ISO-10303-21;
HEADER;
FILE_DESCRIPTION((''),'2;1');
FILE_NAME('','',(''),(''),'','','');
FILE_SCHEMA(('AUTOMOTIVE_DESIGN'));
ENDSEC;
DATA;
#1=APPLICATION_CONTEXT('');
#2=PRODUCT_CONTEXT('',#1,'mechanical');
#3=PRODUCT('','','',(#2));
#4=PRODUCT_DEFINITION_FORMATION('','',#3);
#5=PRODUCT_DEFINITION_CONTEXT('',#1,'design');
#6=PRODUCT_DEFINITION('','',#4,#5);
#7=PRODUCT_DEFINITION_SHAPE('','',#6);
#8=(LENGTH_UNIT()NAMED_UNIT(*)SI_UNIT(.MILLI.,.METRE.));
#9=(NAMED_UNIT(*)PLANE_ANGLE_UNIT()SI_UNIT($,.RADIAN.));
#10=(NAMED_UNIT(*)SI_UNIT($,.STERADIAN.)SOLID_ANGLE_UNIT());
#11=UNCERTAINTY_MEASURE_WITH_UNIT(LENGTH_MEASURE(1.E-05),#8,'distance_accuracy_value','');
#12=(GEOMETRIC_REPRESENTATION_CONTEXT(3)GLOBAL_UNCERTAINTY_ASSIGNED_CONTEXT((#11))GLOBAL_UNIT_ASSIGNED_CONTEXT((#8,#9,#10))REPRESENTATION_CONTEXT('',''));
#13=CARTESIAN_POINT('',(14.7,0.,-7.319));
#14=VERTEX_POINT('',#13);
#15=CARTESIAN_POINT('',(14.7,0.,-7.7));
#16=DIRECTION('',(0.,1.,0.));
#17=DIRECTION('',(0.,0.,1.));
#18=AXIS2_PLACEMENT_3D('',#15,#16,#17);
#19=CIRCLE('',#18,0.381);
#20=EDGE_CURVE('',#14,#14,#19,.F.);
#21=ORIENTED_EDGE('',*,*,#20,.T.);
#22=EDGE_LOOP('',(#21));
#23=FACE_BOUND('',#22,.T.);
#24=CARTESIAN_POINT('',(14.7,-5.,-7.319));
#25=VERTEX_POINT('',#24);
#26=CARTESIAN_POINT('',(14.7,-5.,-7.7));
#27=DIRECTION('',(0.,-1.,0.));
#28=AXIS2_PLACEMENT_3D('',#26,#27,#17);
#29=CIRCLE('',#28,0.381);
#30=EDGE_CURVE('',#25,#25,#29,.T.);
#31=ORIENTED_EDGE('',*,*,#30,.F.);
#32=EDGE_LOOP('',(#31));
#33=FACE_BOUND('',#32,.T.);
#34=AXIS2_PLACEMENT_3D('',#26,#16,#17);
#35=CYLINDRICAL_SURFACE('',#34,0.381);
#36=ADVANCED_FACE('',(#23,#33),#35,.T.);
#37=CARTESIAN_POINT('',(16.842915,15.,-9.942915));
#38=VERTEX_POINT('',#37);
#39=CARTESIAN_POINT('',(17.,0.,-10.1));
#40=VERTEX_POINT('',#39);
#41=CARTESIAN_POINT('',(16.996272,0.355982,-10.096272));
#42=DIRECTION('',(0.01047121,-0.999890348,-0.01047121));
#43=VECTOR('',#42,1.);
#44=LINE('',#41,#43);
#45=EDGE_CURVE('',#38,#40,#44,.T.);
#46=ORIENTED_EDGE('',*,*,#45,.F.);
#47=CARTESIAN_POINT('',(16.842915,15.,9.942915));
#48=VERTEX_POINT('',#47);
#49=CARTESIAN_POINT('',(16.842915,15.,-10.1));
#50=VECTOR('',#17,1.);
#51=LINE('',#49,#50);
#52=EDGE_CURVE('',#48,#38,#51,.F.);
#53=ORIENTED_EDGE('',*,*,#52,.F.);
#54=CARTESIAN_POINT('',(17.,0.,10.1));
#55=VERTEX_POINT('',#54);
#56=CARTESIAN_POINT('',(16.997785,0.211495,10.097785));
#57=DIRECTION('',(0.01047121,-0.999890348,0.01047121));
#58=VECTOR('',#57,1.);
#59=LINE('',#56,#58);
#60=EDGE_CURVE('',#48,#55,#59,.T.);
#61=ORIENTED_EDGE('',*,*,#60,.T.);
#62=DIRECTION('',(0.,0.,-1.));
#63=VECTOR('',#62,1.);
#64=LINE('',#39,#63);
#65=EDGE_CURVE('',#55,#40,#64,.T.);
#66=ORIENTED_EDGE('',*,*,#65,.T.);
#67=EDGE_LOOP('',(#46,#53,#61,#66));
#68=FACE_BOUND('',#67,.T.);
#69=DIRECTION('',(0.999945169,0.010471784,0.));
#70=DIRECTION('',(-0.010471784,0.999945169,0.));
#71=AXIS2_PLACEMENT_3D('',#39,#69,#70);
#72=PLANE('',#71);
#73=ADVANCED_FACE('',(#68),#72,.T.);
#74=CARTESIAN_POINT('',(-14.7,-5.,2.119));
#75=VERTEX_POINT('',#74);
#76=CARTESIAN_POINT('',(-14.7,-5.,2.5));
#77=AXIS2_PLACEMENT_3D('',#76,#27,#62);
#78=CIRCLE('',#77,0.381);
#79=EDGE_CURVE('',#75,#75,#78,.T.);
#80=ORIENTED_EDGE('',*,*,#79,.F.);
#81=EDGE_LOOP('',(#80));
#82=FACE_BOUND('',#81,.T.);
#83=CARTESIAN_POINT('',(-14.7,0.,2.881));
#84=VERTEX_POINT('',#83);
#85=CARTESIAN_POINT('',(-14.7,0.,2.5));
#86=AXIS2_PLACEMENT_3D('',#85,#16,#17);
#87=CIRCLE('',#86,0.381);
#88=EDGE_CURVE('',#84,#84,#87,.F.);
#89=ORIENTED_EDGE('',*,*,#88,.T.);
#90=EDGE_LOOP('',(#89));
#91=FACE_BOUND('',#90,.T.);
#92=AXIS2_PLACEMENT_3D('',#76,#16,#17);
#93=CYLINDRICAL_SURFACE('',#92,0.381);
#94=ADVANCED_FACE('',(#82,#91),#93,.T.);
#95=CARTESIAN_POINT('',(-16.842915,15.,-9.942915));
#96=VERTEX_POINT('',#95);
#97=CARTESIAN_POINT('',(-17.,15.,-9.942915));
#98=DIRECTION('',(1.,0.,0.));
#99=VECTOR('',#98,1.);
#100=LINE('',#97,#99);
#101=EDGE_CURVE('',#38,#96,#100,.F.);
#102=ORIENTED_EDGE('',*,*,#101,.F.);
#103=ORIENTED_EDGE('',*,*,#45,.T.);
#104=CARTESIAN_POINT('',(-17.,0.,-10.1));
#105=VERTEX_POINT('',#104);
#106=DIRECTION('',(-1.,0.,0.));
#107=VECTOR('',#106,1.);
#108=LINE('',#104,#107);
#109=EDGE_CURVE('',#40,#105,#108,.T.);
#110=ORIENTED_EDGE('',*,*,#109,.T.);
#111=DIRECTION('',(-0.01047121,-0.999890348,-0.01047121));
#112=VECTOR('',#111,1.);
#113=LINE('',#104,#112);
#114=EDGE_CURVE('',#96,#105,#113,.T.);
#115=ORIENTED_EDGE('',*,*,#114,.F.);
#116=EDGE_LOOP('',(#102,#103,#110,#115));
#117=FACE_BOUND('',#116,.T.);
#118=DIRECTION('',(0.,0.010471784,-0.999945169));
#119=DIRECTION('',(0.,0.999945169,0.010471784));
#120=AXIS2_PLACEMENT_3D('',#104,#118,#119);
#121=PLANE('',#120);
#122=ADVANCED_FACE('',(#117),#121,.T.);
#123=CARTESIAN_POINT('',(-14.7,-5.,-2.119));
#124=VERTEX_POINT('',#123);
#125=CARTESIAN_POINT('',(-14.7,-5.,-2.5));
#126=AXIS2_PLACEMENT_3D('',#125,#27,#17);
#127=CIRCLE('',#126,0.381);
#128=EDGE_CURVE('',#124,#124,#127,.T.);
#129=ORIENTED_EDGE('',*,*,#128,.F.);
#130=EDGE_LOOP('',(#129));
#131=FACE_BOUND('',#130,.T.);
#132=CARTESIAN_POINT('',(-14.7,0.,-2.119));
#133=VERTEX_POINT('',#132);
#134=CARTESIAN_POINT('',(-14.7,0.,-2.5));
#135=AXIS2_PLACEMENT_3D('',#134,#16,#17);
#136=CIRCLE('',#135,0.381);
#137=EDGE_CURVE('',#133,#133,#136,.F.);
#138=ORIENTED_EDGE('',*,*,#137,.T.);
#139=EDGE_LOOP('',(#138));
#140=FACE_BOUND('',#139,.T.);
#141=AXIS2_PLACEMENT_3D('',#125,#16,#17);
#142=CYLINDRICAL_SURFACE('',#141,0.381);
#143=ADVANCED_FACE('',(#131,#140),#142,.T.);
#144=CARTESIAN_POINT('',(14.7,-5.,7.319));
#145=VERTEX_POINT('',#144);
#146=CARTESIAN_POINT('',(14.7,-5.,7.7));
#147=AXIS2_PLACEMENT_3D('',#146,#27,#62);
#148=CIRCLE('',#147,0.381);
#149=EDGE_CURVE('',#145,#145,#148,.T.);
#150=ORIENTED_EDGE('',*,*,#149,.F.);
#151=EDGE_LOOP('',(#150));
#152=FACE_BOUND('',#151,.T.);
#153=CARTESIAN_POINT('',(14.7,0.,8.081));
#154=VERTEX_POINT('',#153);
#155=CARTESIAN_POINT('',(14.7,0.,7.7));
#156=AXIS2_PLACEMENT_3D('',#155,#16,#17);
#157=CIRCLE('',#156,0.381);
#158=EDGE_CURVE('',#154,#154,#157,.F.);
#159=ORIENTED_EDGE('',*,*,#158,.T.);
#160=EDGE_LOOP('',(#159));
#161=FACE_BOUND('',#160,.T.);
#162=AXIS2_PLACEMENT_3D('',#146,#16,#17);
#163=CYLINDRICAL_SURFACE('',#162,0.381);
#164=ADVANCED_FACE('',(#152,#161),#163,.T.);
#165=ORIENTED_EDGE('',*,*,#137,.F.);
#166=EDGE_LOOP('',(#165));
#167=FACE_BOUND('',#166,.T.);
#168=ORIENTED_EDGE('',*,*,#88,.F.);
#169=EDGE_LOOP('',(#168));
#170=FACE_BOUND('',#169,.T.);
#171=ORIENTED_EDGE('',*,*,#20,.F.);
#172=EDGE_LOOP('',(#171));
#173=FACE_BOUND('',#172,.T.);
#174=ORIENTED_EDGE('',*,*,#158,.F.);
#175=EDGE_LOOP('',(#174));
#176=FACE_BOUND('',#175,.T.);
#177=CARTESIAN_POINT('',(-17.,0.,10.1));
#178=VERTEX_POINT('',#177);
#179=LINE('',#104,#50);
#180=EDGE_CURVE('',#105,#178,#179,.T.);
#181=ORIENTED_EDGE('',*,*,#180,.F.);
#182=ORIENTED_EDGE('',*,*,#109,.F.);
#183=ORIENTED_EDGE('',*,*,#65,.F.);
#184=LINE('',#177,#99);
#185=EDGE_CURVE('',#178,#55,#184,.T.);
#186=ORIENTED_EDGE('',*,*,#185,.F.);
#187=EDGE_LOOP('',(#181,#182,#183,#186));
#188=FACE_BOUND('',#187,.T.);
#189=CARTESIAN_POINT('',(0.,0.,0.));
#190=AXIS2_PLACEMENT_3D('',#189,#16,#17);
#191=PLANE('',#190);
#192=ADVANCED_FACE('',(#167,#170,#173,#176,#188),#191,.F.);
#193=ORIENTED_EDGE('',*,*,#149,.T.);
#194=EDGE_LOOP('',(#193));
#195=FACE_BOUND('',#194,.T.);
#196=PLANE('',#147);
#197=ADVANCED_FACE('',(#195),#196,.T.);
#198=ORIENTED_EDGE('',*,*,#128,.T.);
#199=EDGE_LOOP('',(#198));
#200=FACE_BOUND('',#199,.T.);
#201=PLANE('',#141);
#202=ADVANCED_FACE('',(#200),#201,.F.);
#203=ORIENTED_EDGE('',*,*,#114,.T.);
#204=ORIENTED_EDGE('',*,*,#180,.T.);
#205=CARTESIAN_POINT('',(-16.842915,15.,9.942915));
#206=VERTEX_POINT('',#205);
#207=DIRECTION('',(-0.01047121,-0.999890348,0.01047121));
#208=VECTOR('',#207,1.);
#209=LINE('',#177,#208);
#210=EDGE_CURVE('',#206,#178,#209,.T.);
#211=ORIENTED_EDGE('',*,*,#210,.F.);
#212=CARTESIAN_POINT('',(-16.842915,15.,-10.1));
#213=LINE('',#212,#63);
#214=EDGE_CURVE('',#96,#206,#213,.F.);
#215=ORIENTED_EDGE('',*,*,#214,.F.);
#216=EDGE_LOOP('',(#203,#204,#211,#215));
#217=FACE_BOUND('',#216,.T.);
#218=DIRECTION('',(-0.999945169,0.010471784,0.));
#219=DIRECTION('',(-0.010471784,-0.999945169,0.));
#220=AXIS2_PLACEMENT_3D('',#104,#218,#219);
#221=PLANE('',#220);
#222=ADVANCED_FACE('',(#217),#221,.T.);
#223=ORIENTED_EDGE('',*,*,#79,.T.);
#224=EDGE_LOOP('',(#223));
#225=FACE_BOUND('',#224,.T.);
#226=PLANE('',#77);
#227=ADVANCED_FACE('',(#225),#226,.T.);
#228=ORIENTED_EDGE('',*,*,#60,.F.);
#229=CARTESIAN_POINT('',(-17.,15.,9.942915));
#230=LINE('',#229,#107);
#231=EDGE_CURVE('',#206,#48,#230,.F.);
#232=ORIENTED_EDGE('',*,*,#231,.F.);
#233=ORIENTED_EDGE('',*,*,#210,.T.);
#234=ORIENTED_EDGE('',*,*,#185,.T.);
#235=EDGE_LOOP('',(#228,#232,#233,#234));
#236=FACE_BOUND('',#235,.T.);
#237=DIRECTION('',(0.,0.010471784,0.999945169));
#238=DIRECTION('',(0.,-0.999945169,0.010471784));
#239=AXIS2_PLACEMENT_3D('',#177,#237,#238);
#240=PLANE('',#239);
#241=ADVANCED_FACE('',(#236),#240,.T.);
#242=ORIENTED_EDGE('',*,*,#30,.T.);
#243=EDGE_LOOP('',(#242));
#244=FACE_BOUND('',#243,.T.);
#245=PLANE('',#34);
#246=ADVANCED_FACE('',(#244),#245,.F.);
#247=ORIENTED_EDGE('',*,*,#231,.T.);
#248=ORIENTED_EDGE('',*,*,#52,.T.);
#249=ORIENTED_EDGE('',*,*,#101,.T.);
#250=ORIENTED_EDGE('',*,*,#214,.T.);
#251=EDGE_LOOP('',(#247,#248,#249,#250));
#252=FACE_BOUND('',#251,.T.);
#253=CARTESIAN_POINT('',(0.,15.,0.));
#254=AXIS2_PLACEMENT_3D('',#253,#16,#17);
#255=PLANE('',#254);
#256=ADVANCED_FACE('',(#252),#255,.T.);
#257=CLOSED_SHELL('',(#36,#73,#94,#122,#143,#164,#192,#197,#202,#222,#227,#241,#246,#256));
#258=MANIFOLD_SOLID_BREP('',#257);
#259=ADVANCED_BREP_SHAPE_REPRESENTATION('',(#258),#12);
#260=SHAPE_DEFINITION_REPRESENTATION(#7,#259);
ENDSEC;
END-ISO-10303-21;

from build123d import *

# Parameters (mm, degrees)
SKETCH1_W           = 34
SKETCH1_H           = 20.2
BOSS_EXTRUDE1_DEPTH = 15
BOSS_EXTRUDE1_TAPER = 0.6
SKETCH2_R           = 0.381
BOSS_EXTRUDE2_DEPTH = 5


with BuildPart() as part:
    # Sketch1 → Boss-Extrude1 (new body)
    with BuildSketch(Plane(origin=(0, 0, 0), x_dir=(1, 0, 0), z_dir=(0, 1, 0))):
        Rectangle(SKETCH1_W, SKETCH1_H)
    extrude(amount=BOSS_EXTRUDE1_DEPTH, taper=BOSS_EXTRUDE1_TAPER)

    # Sketch2 → Boss-Extrude2 (add)
    with BuildSketch(Plane.XZ):
        with Locations(Location((-14.7, 2.5, 0), (0, 0, 90))):
            Circle(SKETCH2_R)
        with Locations(Location((14.7, 7.7, 0), (0, 0, 90))):
            Circle(SKETCH2_R)
        with Locations(Location((14.7, -7.7, 0), (0, 0, 90))):
            Circle(SKETCH2_R)
        with Locations(Location((-14.7, -2.5, 0), (0, 0, 90))):
            Circle(SKETCH2_R)
    extrude(amount=BOSS_EXTRUDE2_DEPTH)


solid = part.part
